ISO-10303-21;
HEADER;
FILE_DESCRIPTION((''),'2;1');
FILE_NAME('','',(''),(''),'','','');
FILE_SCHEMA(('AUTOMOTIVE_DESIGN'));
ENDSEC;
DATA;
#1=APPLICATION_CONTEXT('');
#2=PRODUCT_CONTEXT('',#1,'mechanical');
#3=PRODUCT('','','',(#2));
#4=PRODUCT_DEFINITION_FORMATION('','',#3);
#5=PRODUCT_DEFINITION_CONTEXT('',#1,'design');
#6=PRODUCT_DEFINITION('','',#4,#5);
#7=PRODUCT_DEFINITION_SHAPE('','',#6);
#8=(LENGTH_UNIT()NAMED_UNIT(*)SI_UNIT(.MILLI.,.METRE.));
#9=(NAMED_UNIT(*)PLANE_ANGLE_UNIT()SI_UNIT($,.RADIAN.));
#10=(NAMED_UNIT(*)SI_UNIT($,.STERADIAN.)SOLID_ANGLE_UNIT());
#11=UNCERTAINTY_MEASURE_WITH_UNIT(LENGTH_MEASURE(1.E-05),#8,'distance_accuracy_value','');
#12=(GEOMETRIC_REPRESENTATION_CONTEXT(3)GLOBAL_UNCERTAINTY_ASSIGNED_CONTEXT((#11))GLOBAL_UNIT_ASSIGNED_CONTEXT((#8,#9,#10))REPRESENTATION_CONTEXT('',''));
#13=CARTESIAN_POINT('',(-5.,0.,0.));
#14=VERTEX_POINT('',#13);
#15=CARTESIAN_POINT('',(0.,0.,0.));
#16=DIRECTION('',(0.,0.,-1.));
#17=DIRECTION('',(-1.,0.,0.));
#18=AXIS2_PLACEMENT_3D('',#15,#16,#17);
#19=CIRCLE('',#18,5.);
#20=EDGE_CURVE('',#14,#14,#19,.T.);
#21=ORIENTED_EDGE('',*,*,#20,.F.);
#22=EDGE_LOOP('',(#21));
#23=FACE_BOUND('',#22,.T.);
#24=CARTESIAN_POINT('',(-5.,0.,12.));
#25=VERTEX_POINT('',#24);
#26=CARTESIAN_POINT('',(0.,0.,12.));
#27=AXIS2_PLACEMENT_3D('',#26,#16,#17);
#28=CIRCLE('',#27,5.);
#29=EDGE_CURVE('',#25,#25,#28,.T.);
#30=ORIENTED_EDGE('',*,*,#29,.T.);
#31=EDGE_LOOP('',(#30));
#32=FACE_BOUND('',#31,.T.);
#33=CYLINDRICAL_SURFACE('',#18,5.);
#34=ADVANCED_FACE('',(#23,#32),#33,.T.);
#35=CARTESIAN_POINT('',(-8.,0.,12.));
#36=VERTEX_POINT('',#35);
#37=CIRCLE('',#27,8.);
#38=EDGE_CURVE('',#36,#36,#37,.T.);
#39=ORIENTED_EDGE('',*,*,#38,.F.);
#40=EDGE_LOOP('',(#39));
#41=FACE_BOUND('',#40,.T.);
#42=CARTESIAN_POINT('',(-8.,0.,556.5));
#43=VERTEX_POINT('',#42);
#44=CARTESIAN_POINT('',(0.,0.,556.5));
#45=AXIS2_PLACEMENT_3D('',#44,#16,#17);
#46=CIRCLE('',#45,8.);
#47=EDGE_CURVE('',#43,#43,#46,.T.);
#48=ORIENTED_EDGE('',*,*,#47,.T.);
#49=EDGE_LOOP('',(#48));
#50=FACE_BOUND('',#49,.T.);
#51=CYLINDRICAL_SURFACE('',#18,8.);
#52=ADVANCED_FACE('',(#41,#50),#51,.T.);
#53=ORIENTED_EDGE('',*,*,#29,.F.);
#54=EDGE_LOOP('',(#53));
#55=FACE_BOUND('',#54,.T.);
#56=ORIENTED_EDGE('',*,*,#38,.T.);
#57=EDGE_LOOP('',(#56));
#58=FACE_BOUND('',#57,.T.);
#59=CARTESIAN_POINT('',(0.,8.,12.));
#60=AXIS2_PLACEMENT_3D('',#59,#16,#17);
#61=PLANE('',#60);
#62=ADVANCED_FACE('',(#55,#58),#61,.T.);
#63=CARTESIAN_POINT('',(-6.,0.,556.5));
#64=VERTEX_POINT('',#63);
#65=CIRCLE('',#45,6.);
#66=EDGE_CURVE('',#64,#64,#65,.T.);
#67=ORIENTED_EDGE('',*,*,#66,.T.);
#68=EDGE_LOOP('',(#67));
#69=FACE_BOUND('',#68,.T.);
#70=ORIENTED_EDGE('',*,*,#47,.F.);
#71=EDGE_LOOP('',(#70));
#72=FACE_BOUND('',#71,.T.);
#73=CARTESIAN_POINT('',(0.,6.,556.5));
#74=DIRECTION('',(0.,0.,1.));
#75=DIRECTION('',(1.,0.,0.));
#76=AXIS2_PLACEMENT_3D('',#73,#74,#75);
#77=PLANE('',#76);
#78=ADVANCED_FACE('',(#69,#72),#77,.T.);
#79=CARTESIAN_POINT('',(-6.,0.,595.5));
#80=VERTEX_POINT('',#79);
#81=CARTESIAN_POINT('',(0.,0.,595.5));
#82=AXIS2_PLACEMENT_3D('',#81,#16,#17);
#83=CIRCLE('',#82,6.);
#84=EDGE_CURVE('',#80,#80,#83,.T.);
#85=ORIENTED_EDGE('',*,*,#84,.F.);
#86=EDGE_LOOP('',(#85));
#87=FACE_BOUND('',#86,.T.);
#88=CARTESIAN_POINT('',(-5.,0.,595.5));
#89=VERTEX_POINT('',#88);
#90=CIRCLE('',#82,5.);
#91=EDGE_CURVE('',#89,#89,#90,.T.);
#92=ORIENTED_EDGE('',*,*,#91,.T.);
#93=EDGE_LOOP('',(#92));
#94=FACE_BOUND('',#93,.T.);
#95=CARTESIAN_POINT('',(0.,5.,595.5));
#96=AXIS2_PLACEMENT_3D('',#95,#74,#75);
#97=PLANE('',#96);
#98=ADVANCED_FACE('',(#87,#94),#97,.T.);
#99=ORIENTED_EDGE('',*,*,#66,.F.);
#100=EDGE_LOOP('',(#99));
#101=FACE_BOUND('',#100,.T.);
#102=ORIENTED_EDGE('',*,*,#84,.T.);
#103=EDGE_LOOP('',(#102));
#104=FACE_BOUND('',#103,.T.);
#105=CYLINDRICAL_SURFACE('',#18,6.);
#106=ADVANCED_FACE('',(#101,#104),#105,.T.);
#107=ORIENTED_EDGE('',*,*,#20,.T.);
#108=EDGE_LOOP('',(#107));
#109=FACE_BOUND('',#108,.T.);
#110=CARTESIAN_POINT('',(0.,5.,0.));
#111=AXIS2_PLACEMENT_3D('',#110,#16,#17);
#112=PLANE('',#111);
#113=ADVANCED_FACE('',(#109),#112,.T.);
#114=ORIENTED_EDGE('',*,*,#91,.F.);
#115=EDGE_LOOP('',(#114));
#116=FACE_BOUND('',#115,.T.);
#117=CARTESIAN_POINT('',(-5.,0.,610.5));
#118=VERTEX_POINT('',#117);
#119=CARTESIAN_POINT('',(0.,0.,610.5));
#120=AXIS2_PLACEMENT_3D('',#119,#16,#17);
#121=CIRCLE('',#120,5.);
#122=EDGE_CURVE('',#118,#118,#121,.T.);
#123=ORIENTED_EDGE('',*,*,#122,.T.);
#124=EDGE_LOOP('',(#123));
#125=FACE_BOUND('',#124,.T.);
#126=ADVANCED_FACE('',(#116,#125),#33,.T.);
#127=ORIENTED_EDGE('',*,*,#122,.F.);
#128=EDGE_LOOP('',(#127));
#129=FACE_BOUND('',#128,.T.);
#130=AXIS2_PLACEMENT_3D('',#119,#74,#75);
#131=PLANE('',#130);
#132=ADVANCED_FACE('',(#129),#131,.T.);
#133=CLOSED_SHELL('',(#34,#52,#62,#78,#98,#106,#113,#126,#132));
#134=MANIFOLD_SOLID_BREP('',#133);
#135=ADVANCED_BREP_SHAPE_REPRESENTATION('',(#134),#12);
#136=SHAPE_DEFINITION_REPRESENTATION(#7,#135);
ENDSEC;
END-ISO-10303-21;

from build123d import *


with BuildPart() as part:
    # Sketch1 → Revolve1 (revolve)
    with BuildSketch(Plane(origin=(0, 0, 0), x_dir=(0, 0, -1), z_dir=(1, 0, 0))):
        Polygon((-610.5, 0), (-610.5, 5), (-595.5, 5), (-595.5, 6), (-556.5, 6), (-556.5, 8), (-12, 8), (-12, 5), (0, 5), (0, 0), align=None)
    revolve(axis=Axis((0, 0, 0), (0, 0, 1)))


solid = part.part
